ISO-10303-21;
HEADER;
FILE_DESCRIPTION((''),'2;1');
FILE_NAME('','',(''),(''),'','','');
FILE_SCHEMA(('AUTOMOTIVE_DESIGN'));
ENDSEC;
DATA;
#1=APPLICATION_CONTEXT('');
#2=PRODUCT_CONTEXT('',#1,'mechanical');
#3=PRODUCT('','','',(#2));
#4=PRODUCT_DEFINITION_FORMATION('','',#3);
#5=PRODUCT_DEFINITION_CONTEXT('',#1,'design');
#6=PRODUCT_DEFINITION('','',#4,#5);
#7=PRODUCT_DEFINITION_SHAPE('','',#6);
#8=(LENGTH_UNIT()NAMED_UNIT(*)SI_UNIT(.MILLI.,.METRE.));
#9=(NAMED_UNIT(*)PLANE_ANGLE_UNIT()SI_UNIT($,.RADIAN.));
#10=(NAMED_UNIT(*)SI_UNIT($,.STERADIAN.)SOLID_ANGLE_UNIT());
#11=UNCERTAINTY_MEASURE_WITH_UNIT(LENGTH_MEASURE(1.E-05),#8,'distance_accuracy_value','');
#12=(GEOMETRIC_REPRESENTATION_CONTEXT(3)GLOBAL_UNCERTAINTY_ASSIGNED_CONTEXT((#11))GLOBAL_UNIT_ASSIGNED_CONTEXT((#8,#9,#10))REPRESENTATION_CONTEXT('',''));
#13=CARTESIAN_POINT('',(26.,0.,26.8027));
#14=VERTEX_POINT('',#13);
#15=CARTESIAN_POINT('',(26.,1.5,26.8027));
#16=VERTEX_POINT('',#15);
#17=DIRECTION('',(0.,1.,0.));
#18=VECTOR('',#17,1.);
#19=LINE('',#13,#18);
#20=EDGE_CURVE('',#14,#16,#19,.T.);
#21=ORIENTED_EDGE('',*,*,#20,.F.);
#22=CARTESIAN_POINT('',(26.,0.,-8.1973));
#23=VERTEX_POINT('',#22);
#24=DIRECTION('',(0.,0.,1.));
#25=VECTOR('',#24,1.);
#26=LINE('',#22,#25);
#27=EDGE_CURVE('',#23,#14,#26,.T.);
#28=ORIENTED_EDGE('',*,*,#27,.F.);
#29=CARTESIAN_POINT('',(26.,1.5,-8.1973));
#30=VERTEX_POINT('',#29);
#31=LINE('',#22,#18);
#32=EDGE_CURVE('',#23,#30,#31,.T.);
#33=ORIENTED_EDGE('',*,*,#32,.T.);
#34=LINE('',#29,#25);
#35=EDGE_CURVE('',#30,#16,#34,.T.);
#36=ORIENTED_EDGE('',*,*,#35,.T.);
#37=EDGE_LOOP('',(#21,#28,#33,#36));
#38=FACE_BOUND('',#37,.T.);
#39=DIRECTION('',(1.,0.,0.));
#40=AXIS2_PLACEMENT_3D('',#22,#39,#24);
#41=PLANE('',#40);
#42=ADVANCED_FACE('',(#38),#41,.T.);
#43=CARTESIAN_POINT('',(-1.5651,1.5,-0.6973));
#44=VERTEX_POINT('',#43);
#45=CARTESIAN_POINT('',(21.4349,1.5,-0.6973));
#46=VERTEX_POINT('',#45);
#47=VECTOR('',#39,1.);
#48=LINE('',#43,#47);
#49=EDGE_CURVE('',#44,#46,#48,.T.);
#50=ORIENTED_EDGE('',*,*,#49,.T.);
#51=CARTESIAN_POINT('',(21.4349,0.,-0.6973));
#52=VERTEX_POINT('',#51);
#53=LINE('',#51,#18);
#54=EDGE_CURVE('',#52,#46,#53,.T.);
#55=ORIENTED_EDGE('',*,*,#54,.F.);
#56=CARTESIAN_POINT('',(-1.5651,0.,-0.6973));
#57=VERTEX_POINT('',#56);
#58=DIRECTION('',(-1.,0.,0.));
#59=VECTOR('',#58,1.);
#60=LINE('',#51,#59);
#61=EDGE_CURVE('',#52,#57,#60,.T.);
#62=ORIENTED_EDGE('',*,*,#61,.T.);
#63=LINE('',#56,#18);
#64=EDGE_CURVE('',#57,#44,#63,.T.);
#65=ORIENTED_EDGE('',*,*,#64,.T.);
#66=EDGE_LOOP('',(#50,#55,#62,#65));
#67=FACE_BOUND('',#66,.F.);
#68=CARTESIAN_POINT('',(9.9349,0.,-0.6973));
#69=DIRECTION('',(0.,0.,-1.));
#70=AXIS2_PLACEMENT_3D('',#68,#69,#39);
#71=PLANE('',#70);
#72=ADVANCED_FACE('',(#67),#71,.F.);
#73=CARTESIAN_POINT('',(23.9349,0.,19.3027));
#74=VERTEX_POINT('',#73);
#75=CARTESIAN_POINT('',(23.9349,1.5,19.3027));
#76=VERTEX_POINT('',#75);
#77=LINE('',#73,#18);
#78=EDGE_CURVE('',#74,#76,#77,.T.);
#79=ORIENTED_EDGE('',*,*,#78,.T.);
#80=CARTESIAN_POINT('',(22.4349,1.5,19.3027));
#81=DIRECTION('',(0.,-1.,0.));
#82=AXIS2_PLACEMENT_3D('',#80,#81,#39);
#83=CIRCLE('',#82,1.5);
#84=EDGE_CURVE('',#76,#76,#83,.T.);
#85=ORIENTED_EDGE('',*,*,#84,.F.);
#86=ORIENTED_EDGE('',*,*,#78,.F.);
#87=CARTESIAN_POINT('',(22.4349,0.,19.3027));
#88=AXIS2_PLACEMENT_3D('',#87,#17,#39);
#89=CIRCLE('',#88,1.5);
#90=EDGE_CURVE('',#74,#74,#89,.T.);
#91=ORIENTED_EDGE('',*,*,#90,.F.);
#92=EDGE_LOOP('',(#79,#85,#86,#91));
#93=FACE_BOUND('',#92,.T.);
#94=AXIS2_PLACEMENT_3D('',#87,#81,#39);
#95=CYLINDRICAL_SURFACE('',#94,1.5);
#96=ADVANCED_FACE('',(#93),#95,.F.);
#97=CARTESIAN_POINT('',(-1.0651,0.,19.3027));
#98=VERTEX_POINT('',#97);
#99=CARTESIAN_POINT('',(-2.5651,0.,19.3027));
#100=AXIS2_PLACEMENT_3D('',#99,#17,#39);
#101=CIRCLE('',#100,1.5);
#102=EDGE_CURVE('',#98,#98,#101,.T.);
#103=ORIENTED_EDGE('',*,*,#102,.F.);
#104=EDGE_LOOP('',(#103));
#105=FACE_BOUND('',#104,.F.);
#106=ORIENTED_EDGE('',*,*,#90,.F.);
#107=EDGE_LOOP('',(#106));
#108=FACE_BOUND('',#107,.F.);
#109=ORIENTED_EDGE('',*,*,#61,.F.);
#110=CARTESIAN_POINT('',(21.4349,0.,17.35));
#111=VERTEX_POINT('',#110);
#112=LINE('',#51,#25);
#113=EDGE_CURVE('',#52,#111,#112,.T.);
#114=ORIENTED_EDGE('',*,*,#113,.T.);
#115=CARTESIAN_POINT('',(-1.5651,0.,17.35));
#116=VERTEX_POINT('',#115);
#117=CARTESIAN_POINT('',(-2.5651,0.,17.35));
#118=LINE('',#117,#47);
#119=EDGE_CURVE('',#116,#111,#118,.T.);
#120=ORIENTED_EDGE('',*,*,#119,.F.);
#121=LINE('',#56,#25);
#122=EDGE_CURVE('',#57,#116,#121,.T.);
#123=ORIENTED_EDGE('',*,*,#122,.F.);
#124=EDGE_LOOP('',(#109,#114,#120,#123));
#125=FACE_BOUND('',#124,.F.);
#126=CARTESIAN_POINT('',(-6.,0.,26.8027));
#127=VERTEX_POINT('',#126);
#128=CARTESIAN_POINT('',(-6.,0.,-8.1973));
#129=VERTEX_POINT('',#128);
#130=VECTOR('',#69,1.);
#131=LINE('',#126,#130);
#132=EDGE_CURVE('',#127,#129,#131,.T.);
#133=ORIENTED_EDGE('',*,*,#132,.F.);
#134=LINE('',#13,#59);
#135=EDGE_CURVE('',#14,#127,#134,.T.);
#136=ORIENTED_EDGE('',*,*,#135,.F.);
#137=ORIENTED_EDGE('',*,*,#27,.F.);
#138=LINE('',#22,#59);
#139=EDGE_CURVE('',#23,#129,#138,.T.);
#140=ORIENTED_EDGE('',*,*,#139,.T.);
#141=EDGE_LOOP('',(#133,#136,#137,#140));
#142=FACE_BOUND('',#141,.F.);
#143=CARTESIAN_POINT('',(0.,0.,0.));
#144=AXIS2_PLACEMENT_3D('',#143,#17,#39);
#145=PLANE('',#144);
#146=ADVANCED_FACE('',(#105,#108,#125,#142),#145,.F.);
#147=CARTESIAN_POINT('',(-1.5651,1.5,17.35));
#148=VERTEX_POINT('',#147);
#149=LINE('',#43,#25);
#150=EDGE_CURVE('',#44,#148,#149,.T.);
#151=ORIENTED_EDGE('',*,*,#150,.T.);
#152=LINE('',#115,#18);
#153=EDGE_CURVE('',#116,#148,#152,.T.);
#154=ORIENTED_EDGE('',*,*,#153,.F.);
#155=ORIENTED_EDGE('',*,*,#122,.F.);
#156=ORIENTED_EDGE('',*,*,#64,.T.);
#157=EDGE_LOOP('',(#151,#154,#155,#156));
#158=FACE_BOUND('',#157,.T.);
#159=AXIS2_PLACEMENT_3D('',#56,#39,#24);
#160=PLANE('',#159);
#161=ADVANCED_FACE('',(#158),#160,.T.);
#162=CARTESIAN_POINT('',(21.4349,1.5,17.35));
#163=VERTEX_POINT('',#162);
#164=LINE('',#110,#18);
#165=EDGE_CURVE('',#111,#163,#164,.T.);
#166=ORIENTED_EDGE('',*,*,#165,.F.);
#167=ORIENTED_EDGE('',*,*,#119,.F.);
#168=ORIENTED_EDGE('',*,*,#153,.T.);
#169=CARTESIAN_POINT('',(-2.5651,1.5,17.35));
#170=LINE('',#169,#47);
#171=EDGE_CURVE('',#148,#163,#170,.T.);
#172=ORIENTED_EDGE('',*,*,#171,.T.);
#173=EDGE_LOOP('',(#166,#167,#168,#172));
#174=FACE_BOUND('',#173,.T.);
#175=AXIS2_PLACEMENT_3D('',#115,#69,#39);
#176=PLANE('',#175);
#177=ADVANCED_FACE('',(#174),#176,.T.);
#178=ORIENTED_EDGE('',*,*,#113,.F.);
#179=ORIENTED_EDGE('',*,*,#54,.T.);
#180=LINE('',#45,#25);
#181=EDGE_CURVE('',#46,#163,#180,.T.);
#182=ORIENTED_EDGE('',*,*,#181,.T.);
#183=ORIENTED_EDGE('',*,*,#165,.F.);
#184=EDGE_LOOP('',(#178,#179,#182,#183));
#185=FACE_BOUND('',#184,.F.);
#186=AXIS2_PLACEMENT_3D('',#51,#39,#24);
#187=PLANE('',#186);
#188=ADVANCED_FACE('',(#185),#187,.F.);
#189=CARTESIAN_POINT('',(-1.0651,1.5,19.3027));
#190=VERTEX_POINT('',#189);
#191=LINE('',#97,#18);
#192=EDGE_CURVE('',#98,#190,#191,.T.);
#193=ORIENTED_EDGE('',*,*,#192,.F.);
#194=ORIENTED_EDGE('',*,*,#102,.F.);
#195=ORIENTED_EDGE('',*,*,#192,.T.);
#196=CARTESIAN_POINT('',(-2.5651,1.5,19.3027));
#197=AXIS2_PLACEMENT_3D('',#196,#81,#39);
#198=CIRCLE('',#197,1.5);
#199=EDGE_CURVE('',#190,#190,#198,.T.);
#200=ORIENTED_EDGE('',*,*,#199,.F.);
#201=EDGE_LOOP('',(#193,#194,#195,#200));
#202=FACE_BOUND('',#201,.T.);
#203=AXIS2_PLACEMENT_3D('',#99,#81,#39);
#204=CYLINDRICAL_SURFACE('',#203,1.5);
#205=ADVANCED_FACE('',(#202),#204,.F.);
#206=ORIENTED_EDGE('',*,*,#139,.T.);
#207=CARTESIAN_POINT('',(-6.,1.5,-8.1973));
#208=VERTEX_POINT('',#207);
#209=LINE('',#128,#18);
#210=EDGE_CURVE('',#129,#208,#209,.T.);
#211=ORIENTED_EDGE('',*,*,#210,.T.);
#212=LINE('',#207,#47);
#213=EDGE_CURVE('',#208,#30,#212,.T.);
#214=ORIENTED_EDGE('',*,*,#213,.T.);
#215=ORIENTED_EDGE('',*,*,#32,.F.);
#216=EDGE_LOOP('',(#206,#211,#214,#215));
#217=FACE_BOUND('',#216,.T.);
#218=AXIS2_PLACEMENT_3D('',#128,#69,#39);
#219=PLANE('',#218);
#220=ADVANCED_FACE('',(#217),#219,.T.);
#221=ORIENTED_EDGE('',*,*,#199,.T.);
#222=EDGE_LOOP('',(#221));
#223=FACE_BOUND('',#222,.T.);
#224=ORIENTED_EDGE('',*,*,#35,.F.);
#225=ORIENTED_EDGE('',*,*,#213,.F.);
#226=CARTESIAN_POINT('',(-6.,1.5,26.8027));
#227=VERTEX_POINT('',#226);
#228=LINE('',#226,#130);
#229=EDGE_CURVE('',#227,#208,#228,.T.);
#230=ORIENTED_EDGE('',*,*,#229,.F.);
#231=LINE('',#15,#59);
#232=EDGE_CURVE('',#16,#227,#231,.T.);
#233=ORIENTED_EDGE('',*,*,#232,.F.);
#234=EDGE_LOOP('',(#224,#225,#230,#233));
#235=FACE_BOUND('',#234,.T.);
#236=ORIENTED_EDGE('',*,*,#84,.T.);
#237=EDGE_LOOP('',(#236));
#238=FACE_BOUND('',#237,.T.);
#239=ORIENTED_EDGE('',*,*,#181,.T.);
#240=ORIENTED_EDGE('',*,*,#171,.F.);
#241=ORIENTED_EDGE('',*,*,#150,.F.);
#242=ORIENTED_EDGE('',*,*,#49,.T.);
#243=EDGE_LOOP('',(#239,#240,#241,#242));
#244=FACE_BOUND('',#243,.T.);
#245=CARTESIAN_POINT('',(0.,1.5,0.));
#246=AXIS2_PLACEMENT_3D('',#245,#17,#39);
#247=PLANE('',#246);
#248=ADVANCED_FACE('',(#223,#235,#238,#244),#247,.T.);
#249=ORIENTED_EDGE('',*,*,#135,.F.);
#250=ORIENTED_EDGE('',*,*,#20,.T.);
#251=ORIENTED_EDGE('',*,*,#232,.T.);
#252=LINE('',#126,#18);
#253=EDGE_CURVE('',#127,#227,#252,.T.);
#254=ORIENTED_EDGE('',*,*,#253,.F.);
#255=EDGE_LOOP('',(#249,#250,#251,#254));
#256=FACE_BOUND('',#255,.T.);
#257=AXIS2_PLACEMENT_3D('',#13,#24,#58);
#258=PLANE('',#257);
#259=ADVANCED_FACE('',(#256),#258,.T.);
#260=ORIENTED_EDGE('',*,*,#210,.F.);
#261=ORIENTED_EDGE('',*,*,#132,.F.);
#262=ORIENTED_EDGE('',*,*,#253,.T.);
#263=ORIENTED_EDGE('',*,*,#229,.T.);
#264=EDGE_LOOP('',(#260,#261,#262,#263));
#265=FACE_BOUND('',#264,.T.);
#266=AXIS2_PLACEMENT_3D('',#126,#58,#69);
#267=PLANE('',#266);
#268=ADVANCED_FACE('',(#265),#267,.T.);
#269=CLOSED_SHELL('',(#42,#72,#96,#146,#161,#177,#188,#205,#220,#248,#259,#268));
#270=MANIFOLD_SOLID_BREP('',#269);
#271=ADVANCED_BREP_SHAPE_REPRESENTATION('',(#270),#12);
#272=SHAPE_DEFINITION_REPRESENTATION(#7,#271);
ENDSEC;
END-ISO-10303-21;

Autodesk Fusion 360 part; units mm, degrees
sketch "Sketch9" plane through (0, 0, 0) normal (0, 1, 0) x (1, 0, 0)
  line L0 (-6, 8.1973) -> (26, 8.1973)
  line L1 (26, 8.1973) -> (26, -26.8027)
  line L2 (26, -26.8027) -> (-6, -26.8027)
  line L3 (-6, -26.8027) -> (-6, 8.1973)
  line L4 (10, 8.1973) -> (10, -17.3027)
  line L5 (22.4349, 8.1973) -> (22.4349, -19.3027)
  line L6 (-2.5651, 8.1973) -> (-2.5651, -19.3027)
  circle A0 centre (-2.5651, -19.3027) radius 1.5
  circle A1 centre (22.4349, -19.3027) radius 1.5
  line L7 (-2.5651, -19.3027) -> (22.4349, -19.3027)
  line L8 (10, -17.3027) -> (9.4349, -17.3027)
  line L9 (-2.5651, -17.35) -> (22.4349, -17.35)
  line L10 (9.9349, 0.6973) -> (-1.5651, 0.6973)
  line L11 (9.9349, 0.6973) -> (21.4349, 0.6973)
  line L12 (-1.5651, 0.6973) -> (-1.5651, -17.35)
  line L13 (21.4349, 0.6973) -> (21.4349, -17.35)
  dimension "d91" = 35
  dimension "d92" = 32
  dimension "d124" = 25.5
  dimension "d125" = 27.5
  dimension "d129" = 27.5
  dimension "d130" = 3
  dimension "d131" = 3
  dimension "d132" = 25
  dimension "d134" = 11.5
  dimension "d135" = 11.5
extrude "Extrude15" add sketch "Sketch9" along normal blind 1.5 contours L0 L1 L2 L3 L5 L6 A0 A1 L7 | L0 L4 L6 L9 L10 L11 L12 | L0 L4 L5 L9 L11 L13 | L5 L6 A0 A1 L7 L9
